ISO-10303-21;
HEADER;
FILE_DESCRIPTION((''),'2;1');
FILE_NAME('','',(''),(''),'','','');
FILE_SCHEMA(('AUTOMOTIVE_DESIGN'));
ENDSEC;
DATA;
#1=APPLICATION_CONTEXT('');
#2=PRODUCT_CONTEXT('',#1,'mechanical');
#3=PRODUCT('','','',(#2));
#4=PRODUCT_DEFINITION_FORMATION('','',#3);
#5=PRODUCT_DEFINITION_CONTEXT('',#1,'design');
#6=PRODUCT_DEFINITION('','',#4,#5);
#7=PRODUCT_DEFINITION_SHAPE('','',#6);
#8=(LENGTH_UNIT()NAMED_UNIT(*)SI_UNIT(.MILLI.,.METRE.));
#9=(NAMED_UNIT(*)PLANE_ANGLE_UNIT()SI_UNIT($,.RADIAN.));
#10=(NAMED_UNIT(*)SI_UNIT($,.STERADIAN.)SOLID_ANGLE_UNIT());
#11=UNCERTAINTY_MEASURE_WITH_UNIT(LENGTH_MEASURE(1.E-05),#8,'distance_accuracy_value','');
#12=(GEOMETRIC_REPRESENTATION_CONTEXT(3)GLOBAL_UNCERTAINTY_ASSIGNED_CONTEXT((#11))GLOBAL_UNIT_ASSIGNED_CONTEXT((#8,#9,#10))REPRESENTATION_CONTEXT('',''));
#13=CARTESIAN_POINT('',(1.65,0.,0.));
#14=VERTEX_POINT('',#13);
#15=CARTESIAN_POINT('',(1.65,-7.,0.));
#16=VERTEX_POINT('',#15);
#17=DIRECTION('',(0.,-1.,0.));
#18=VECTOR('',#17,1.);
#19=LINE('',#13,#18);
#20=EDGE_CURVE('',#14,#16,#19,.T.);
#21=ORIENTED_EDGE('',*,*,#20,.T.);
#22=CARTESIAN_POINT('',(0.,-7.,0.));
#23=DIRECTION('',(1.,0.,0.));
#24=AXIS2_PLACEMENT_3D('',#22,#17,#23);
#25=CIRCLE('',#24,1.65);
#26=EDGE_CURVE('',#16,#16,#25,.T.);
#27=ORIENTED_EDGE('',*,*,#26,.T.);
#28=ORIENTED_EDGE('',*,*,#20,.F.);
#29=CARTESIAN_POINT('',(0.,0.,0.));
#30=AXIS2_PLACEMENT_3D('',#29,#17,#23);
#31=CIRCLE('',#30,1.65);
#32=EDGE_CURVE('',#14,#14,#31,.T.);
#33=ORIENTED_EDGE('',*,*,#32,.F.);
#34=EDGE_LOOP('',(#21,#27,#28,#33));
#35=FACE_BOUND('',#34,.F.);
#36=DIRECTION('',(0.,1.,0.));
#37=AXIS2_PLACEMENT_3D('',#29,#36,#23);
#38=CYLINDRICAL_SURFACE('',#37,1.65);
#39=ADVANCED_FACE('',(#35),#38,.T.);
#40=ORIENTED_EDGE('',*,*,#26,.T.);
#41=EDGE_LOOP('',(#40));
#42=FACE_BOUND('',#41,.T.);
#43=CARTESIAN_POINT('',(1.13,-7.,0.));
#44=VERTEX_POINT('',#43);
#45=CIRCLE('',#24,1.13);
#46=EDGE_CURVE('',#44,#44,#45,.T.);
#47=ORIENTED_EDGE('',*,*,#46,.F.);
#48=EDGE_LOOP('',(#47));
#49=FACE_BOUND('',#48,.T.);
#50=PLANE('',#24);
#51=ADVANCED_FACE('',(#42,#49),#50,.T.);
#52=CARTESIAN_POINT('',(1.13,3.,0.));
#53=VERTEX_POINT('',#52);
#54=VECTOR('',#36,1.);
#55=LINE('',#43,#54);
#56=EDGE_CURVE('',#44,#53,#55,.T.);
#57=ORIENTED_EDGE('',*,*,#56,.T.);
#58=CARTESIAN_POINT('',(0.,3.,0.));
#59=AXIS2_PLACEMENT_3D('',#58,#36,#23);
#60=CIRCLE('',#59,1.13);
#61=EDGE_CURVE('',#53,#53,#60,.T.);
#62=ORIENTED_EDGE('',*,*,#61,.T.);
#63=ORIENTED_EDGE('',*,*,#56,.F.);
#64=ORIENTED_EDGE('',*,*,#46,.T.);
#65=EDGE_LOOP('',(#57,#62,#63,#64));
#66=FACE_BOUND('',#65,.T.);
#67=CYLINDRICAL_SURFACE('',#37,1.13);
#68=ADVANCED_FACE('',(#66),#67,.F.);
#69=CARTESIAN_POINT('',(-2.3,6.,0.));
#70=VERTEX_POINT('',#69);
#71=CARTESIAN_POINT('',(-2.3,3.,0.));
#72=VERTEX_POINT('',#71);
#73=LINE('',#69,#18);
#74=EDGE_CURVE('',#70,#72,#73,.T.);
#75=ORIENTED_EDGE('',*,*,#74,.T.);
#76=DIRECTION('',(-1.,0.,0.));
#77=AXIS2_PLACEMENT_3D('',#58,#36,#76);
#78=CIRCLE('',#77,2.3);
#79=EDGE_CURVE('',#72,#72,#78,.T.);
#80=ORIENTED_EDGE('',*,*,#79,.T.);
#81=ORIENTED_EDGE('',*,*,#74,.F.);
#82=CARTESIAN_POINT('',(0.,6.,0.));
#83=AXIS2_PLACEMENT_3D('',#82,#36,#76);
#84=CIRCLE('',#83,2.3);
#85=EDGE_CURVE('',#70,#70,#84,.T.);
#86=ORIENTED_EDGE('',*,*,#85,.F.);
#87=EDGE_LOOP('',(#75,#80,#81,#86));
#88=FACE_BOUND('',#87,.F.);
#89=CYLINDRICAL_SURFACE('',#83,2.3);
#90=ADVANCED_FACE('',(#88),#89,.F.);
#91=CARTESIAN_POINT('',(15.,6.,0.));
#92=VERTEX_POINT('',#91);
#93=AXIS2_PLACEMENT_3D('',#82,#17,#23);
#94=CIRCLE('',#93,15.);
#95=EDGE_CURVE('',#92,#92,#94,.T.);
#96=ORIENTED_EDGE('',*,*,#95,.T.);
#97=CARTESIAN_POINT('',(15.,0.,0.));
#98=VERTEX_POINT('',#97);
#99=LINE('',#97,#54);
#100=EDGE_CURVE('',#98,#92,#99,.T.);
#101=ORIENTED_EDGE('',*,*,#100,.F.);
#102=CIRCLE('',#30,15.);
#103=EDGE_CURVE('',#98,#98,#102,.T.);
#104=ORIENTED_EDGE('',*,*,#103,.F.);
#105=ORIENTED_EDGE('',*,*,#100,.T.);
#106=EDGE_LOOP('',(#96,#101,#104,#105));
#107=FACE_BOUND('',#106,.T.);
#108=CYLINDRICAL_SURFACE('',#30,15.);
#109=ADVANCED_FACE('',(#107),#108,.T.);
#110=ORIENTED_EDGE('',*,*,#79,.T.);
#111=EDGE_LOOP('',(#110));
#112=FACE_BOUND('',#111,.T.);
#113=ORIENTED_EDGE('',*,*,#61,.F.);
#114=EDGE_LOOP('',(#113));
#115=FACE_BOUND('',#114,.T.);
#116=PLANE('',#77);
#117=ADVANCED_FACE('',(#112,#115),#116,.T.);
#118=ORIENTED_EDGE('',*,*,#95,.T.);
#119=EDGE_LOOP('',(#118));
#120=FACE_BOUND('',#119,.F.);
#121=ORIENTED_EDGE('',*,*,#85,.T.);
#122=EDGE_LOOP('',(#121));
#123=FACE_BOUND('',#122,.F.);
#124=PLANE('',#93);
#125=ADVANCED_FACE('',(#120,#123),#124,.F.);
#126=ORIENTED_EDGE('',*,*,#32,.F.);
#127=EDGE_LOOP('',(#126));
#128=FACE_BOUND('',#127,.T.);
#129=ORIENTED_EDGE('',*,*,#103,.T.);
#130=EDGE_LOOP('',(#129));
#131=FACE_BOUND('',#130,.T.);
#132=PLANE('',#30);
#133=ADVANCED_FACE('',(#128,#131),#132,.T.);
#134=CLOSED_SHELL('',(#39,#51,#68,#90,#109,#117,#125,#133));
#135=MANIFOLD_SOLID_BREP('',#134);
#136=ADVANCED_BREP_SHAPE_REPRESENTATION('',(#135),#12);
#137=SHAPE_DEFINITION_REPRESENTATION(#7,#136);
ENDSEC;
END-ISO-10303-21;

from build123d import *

# Parameters (mm, degrees)
F0_R     = 15
F0_R_2   = 2.3
F0_R_3   = 1.65
F0_R_4   = 1.13
F1_DEPTH = 6
F2_DEPTH = 7
F3_R     = 2.3
F3_R_2   = 1.13
F4_DEPTH = 3


with BuildPart() as f1:
    # F0 (on Front) → F1 (new body)
    with BuildSketch(Plane.XZ):
        Circle(F0_R)
        Circle(F0_R_2, mode=Mode.SUBTRACT)
        Circle(F0_R_2)
        Circle(F0_R_3, mode=Mode.SUBTRACT)
        Circle(F0_R_3)
        Circle(F0_R_4, mode=Mode.SUBTRACT)
    extrude(amount=-F1_DEPTH)

    # F0 (on Front) → F2 (join)
    with BuildSketch(Plane.XZ):
        Circle(F0_R_3)
        Circle(F0_R_4, mode=Mode.SUBTRACT)
    extrude(amount=F2_DEPTH)

    # F3 (on face) → F4 (cut)
    with BuildSketch(Plane(origin=(0, 6, 0), x_dir=(-1, 0, 0), z_dir=(0, 1, 0))):
        Circle(F3_R)
        Circle(F3_R_2, mode=Mode.SUBTRACT)
    extrude(amount=-F4_DEPTH, mode=Mode.SUBTRACT)


solid = f1.part
